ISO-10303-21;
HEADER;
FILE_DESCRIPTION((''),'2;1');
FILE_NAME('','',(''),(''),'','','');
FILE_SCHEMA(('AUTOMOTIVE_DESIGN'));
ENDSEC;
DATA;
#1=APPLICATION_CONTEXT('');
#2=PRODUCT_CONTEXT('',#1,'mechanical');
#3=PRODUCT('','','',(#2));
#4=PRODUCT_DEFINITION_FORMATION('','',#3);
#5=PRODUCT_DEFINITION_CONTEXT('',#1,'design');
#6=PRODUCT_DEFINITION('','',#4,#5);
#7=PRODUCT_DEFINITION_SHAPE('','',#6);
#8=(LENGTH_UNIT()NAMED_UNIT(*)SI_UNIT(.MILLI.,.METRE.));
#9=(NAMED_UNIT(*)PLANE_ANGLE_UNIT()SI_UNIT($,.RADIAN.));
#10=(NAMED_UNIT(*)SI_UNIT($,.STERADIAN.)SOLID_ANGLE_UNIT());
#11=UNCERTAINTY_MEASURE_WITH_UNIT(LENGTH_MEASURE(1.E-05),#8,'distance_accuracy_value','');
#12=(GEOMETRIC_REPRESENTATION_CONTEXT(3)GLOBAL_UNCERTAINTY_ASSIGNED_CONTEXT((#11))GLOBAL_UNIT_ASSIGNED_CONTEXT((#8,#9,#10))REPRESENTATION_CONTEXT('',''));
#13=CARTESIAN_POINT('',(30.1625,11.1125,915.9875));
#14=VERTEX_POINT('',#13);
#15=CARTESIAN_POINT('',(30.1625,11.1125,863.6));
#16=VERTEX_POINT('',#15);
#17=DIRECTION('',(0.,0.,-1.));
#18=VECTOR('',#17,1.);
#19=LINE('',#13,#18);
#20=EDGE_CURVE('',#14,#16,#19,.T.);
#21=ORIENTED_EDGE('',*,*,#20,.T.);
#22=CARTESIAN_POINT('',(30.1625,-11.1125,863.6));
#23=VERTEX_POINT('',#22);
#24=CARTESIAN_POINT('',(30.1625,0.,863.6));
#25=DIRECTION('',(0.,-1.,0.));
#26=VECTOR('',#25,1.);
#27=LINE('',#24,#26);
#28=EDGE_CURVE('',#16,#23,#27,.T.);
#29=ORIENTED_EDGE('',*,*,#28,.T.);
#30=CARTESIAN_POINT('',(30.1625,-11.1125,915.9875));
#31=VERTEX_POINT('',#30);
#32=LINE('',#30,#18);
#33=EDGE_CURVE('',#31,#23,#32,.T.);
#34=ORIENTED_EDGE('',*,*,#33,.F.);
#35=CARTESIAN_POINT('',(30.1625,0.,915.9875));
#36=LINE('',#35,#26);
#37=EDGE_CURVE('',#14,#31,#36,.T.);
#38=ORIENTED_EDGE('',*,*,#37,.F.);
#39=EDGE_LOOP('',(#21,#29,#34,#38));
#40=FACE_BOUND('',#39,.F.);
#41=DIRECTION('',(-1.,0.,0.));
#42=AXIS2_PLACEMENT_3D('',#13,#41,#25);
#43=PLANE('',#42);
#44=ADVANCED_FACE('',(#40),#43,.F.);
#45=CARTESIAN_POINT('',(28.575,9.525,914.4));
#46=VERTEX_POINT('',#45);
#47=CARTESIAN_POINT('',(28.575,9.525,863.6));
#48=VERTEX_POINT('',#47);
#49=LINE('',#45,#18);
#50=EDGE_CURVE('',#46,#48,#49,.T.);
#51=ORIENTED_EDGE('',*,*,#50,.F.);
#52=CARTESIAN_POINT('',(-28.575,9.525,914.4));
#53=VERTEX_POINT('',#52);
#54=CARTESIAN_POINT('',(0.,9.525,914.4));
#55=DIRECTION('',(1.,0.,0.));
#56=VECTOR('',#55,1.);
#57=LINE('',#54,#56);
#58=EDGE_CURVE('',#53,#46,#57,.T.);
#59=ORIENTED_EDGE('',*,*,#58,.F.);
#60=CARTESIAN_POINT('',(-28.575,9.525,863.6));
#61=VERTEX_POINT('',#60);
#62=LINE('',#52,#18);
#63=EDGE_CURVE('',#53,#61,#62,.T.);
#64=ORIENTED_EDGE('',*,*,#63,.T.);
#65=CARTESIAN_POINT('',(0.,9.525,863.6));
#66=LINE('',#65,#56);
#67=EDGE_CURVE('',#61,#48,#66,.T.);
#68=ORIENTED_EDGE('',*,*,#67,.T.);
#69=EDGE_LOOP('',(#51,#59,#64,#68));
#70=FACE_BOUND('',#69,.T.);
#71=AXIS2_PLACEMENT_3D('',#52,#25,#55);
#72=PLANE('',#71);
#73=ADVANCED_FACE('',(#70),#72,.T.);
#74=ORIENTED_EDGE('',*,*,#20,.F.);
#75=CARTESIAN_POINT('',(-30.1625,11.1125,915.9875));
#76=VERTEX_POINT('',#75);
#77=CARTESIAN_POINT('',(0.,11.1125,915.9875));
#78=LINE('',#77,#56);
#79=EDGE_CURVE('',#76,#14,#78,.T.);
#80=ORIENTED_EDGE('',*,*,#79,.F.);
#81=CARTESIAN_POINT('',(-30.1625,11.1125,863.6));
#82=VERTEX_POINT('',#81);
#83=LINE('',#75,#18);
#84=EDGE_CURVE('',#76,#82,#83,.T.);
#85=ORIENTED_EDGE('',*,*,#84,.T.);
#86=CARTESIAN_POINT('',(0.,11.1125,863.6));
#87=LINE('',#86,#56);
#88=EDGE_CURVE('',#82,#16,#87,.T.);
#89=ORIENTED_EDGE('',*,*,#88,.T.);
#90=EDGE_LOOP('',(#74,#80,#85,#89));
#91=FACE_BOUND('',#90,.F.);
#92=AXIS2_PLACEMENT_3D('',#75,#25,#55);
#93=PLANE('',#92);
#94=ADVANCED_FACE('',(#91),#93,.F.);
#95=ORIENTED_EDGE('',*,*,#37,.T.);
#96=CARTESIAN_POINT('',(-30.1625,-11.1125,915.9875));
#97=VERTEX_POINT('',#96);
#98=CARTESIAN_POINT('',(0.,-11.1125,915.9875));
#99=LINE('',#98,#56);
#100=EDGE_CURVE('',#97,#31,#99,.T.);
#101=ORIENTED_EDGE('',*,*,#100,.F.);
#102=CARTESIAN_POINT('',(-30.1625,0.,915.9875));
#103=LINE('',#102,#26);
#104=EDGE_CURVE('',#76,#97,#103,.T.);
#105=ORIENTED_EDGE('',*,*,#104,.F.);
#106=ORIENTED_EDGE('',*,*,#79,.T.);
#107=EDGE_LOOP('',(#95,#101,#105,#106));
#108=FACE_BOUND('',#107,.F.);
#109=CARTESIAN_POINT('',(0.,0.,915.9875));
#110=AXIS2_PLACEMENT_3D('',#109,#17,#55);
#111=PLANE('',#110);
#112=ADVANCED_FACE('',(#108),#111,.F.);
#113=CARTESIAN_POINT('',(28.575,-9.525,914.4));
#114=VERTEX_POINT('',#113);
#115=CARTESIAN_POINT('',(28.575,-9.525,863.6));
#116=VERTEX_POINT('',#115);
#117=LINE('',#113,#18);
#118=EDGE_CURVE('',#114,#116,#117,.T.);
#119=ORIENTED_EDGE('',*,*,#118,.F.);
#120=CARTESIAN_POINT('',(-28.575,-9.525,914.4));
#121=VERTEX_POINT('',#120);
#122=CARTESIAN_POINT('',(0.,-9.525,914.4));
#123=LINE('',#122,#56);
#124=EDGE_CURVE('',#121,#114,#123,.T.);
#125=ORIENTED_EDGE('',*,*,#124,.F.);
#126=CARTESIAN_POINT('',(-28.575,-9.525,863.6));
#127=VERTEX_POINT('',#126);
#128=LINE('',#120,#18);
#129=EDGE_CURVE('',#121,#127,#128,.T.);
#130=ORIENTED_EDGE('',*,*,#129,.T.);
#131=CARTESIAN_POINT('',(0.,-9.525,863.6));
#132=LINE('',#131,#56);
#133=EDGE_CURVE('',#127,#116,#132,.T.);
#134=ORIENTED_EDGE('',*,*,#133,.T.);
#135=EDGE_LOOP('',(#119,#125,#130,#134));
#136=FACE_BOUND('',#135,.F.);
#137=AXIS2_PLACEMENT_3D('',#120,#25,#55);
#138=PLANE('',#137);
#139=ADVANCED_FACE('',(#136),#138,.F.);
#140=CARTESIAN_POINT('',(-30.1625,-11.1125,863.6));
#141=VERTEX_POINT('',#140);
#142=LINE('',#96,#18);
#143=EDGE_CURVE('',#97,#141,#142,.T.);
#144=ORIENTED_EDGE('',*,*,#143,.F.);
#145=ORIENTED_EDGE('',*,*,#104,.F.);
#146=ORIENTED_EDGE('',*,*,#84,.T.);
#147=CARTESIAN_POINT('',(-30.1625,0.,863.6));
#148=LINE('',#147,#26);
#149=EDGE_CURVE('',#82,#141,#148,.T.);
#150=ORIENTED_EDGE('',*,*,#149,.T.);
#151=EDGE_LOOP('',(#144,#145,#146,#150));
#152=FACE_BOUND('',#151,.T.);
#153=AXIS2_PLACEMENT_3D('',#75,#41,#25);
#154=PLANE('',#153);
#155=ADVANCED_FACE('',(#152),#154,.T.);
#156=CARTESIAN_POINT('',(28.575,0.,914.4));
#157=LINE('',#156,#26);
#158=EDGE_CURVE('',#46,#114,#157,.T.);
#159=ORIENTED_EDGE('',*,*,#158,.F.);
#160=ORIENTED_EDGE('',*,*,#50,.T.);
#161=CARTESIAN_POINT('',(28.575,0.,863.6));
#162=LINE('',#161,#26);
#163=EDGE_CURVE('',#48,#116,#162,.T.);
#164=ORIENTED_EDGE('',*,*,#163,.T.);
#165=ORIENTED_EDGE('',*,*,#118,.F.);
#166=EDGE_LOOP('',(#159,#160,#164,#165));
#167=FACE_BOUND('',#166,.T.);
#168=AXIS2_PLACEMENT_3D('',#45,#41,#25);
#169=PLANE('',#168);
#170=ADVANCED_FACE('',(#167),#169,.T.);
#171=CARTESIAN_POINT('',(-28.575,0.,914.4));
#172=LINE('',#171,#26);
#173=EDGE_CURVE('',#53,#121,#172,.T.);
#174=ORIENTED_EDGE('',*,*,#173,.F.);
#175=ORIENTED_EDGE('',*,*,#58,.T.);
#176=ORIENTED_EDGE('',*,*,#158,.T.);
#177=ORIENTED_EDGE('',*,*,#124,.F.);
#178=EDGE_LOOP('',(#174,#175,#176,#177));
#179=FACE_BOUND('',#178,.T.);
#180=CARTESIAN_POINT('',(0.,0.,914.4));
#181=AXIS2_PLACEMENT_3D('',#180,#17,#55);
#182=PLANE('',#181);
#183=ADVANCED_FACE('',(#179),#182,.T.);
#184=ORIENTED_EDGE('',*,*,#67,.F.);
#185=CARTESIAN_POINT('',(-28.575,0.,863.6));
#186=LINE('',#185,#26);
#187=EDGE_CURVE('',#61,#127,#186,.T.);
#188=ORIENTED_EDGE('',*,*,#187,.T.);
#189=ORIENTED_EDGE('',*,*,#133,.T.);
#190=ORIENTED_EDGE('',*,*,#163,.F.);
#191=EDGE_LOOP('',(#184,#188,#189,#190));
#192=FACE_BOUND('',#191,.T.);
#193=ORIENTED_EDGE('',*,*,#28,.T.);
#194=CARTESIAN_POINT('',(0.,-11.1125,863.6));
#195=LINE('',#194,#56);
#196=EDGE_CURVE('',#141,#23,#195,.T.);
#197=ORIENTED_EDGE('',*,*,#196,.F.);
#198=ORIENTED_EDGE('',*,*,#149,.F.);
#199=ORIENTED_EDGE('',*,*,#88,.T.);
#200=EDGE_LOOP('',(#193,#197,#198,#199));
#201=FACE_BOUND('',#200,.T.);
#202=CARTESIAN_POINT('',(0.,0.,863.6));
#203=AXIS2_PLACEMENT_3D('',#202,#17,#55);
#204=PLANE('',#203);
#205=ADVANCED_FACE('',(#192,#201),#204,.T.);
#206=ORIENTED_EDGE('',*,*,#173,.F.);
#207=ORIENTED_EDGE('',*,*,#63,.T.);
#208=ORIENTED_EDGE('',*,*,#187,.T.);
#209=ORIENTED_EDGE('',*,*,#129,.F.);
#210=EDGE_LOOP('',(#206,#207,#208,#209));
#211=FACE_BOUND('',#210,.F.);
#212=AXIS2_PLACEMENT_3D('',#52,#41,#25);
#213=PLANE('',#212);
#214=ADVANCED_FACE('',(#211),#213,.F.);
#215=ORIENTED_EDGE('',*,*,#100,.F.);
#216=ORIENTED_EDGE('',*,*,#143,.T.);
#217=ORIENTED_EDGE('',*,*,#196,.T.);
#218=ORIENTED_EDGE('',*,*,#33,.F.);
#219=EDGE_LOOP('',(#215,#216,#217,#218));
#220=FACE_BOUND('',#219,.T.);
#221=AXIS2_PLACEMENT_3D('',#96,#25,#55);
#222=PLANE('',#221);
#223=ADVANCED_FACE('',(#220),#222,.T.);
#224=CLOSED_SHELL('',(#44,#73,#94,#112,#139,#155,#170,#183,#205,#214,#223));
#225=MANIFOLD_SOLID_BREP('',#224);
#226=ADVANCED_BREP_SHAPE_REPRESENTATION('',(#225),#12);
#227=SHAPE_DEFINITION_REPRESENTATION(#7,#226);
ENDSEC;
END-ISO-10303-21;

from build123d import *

# Parameters (mm, degrees)
BOX022_W               = 57.15
BOX022_H               = 19.05
BOX022_DEPTH           = 50.8
BOX023_W               = 60.325
BOX023_H               = 22.225
BOX023_DEPTH           = 52.3875
CUT025_PLACEMENT_ANGLE = 180


with BuildPart() as cube022:
    # Box022 → Box022 (new body)
    with BuildSketch(Plane(origin=(-28.575, -9.525, 0), x_dir=(1, 0, 0), z_dir=(0, 0, 1))):
        with Locations((28.575, 9.525)):
            Rectangle(BOX022_W, BOX022_H)
    extrude(amount=BOX022_DEPTH)


with BuildPart() as steel_cap001:
    # Box023 → Box023 (new body)
    with BuildSketch(Plane(origin=(-30.1625, -11.1125, -1.5875), x_dir=(1, 0, 0), z_dir=(0, 0, 1))):
        with Locations((30.1625, 11.1125)):
            Rectangle(BOX023_W, BOX023_H)
    extrude(amount=BOX023_DEPTH)

    # Cut025: cut Cube022
    add(cube022.part, mode=Mode.SUBTRACT)


with BuildPart() as steel_cap001_1:
    # Cut025 placement: moved
    add(steel_cap001.part.moved(Location((0, 0, 914.4))).rotate(Axis((0, 0, 914.4), (1, 0, 0)), CUT025_PLACEMENT_ANGLE))


solid = steel_cap001_1.part
